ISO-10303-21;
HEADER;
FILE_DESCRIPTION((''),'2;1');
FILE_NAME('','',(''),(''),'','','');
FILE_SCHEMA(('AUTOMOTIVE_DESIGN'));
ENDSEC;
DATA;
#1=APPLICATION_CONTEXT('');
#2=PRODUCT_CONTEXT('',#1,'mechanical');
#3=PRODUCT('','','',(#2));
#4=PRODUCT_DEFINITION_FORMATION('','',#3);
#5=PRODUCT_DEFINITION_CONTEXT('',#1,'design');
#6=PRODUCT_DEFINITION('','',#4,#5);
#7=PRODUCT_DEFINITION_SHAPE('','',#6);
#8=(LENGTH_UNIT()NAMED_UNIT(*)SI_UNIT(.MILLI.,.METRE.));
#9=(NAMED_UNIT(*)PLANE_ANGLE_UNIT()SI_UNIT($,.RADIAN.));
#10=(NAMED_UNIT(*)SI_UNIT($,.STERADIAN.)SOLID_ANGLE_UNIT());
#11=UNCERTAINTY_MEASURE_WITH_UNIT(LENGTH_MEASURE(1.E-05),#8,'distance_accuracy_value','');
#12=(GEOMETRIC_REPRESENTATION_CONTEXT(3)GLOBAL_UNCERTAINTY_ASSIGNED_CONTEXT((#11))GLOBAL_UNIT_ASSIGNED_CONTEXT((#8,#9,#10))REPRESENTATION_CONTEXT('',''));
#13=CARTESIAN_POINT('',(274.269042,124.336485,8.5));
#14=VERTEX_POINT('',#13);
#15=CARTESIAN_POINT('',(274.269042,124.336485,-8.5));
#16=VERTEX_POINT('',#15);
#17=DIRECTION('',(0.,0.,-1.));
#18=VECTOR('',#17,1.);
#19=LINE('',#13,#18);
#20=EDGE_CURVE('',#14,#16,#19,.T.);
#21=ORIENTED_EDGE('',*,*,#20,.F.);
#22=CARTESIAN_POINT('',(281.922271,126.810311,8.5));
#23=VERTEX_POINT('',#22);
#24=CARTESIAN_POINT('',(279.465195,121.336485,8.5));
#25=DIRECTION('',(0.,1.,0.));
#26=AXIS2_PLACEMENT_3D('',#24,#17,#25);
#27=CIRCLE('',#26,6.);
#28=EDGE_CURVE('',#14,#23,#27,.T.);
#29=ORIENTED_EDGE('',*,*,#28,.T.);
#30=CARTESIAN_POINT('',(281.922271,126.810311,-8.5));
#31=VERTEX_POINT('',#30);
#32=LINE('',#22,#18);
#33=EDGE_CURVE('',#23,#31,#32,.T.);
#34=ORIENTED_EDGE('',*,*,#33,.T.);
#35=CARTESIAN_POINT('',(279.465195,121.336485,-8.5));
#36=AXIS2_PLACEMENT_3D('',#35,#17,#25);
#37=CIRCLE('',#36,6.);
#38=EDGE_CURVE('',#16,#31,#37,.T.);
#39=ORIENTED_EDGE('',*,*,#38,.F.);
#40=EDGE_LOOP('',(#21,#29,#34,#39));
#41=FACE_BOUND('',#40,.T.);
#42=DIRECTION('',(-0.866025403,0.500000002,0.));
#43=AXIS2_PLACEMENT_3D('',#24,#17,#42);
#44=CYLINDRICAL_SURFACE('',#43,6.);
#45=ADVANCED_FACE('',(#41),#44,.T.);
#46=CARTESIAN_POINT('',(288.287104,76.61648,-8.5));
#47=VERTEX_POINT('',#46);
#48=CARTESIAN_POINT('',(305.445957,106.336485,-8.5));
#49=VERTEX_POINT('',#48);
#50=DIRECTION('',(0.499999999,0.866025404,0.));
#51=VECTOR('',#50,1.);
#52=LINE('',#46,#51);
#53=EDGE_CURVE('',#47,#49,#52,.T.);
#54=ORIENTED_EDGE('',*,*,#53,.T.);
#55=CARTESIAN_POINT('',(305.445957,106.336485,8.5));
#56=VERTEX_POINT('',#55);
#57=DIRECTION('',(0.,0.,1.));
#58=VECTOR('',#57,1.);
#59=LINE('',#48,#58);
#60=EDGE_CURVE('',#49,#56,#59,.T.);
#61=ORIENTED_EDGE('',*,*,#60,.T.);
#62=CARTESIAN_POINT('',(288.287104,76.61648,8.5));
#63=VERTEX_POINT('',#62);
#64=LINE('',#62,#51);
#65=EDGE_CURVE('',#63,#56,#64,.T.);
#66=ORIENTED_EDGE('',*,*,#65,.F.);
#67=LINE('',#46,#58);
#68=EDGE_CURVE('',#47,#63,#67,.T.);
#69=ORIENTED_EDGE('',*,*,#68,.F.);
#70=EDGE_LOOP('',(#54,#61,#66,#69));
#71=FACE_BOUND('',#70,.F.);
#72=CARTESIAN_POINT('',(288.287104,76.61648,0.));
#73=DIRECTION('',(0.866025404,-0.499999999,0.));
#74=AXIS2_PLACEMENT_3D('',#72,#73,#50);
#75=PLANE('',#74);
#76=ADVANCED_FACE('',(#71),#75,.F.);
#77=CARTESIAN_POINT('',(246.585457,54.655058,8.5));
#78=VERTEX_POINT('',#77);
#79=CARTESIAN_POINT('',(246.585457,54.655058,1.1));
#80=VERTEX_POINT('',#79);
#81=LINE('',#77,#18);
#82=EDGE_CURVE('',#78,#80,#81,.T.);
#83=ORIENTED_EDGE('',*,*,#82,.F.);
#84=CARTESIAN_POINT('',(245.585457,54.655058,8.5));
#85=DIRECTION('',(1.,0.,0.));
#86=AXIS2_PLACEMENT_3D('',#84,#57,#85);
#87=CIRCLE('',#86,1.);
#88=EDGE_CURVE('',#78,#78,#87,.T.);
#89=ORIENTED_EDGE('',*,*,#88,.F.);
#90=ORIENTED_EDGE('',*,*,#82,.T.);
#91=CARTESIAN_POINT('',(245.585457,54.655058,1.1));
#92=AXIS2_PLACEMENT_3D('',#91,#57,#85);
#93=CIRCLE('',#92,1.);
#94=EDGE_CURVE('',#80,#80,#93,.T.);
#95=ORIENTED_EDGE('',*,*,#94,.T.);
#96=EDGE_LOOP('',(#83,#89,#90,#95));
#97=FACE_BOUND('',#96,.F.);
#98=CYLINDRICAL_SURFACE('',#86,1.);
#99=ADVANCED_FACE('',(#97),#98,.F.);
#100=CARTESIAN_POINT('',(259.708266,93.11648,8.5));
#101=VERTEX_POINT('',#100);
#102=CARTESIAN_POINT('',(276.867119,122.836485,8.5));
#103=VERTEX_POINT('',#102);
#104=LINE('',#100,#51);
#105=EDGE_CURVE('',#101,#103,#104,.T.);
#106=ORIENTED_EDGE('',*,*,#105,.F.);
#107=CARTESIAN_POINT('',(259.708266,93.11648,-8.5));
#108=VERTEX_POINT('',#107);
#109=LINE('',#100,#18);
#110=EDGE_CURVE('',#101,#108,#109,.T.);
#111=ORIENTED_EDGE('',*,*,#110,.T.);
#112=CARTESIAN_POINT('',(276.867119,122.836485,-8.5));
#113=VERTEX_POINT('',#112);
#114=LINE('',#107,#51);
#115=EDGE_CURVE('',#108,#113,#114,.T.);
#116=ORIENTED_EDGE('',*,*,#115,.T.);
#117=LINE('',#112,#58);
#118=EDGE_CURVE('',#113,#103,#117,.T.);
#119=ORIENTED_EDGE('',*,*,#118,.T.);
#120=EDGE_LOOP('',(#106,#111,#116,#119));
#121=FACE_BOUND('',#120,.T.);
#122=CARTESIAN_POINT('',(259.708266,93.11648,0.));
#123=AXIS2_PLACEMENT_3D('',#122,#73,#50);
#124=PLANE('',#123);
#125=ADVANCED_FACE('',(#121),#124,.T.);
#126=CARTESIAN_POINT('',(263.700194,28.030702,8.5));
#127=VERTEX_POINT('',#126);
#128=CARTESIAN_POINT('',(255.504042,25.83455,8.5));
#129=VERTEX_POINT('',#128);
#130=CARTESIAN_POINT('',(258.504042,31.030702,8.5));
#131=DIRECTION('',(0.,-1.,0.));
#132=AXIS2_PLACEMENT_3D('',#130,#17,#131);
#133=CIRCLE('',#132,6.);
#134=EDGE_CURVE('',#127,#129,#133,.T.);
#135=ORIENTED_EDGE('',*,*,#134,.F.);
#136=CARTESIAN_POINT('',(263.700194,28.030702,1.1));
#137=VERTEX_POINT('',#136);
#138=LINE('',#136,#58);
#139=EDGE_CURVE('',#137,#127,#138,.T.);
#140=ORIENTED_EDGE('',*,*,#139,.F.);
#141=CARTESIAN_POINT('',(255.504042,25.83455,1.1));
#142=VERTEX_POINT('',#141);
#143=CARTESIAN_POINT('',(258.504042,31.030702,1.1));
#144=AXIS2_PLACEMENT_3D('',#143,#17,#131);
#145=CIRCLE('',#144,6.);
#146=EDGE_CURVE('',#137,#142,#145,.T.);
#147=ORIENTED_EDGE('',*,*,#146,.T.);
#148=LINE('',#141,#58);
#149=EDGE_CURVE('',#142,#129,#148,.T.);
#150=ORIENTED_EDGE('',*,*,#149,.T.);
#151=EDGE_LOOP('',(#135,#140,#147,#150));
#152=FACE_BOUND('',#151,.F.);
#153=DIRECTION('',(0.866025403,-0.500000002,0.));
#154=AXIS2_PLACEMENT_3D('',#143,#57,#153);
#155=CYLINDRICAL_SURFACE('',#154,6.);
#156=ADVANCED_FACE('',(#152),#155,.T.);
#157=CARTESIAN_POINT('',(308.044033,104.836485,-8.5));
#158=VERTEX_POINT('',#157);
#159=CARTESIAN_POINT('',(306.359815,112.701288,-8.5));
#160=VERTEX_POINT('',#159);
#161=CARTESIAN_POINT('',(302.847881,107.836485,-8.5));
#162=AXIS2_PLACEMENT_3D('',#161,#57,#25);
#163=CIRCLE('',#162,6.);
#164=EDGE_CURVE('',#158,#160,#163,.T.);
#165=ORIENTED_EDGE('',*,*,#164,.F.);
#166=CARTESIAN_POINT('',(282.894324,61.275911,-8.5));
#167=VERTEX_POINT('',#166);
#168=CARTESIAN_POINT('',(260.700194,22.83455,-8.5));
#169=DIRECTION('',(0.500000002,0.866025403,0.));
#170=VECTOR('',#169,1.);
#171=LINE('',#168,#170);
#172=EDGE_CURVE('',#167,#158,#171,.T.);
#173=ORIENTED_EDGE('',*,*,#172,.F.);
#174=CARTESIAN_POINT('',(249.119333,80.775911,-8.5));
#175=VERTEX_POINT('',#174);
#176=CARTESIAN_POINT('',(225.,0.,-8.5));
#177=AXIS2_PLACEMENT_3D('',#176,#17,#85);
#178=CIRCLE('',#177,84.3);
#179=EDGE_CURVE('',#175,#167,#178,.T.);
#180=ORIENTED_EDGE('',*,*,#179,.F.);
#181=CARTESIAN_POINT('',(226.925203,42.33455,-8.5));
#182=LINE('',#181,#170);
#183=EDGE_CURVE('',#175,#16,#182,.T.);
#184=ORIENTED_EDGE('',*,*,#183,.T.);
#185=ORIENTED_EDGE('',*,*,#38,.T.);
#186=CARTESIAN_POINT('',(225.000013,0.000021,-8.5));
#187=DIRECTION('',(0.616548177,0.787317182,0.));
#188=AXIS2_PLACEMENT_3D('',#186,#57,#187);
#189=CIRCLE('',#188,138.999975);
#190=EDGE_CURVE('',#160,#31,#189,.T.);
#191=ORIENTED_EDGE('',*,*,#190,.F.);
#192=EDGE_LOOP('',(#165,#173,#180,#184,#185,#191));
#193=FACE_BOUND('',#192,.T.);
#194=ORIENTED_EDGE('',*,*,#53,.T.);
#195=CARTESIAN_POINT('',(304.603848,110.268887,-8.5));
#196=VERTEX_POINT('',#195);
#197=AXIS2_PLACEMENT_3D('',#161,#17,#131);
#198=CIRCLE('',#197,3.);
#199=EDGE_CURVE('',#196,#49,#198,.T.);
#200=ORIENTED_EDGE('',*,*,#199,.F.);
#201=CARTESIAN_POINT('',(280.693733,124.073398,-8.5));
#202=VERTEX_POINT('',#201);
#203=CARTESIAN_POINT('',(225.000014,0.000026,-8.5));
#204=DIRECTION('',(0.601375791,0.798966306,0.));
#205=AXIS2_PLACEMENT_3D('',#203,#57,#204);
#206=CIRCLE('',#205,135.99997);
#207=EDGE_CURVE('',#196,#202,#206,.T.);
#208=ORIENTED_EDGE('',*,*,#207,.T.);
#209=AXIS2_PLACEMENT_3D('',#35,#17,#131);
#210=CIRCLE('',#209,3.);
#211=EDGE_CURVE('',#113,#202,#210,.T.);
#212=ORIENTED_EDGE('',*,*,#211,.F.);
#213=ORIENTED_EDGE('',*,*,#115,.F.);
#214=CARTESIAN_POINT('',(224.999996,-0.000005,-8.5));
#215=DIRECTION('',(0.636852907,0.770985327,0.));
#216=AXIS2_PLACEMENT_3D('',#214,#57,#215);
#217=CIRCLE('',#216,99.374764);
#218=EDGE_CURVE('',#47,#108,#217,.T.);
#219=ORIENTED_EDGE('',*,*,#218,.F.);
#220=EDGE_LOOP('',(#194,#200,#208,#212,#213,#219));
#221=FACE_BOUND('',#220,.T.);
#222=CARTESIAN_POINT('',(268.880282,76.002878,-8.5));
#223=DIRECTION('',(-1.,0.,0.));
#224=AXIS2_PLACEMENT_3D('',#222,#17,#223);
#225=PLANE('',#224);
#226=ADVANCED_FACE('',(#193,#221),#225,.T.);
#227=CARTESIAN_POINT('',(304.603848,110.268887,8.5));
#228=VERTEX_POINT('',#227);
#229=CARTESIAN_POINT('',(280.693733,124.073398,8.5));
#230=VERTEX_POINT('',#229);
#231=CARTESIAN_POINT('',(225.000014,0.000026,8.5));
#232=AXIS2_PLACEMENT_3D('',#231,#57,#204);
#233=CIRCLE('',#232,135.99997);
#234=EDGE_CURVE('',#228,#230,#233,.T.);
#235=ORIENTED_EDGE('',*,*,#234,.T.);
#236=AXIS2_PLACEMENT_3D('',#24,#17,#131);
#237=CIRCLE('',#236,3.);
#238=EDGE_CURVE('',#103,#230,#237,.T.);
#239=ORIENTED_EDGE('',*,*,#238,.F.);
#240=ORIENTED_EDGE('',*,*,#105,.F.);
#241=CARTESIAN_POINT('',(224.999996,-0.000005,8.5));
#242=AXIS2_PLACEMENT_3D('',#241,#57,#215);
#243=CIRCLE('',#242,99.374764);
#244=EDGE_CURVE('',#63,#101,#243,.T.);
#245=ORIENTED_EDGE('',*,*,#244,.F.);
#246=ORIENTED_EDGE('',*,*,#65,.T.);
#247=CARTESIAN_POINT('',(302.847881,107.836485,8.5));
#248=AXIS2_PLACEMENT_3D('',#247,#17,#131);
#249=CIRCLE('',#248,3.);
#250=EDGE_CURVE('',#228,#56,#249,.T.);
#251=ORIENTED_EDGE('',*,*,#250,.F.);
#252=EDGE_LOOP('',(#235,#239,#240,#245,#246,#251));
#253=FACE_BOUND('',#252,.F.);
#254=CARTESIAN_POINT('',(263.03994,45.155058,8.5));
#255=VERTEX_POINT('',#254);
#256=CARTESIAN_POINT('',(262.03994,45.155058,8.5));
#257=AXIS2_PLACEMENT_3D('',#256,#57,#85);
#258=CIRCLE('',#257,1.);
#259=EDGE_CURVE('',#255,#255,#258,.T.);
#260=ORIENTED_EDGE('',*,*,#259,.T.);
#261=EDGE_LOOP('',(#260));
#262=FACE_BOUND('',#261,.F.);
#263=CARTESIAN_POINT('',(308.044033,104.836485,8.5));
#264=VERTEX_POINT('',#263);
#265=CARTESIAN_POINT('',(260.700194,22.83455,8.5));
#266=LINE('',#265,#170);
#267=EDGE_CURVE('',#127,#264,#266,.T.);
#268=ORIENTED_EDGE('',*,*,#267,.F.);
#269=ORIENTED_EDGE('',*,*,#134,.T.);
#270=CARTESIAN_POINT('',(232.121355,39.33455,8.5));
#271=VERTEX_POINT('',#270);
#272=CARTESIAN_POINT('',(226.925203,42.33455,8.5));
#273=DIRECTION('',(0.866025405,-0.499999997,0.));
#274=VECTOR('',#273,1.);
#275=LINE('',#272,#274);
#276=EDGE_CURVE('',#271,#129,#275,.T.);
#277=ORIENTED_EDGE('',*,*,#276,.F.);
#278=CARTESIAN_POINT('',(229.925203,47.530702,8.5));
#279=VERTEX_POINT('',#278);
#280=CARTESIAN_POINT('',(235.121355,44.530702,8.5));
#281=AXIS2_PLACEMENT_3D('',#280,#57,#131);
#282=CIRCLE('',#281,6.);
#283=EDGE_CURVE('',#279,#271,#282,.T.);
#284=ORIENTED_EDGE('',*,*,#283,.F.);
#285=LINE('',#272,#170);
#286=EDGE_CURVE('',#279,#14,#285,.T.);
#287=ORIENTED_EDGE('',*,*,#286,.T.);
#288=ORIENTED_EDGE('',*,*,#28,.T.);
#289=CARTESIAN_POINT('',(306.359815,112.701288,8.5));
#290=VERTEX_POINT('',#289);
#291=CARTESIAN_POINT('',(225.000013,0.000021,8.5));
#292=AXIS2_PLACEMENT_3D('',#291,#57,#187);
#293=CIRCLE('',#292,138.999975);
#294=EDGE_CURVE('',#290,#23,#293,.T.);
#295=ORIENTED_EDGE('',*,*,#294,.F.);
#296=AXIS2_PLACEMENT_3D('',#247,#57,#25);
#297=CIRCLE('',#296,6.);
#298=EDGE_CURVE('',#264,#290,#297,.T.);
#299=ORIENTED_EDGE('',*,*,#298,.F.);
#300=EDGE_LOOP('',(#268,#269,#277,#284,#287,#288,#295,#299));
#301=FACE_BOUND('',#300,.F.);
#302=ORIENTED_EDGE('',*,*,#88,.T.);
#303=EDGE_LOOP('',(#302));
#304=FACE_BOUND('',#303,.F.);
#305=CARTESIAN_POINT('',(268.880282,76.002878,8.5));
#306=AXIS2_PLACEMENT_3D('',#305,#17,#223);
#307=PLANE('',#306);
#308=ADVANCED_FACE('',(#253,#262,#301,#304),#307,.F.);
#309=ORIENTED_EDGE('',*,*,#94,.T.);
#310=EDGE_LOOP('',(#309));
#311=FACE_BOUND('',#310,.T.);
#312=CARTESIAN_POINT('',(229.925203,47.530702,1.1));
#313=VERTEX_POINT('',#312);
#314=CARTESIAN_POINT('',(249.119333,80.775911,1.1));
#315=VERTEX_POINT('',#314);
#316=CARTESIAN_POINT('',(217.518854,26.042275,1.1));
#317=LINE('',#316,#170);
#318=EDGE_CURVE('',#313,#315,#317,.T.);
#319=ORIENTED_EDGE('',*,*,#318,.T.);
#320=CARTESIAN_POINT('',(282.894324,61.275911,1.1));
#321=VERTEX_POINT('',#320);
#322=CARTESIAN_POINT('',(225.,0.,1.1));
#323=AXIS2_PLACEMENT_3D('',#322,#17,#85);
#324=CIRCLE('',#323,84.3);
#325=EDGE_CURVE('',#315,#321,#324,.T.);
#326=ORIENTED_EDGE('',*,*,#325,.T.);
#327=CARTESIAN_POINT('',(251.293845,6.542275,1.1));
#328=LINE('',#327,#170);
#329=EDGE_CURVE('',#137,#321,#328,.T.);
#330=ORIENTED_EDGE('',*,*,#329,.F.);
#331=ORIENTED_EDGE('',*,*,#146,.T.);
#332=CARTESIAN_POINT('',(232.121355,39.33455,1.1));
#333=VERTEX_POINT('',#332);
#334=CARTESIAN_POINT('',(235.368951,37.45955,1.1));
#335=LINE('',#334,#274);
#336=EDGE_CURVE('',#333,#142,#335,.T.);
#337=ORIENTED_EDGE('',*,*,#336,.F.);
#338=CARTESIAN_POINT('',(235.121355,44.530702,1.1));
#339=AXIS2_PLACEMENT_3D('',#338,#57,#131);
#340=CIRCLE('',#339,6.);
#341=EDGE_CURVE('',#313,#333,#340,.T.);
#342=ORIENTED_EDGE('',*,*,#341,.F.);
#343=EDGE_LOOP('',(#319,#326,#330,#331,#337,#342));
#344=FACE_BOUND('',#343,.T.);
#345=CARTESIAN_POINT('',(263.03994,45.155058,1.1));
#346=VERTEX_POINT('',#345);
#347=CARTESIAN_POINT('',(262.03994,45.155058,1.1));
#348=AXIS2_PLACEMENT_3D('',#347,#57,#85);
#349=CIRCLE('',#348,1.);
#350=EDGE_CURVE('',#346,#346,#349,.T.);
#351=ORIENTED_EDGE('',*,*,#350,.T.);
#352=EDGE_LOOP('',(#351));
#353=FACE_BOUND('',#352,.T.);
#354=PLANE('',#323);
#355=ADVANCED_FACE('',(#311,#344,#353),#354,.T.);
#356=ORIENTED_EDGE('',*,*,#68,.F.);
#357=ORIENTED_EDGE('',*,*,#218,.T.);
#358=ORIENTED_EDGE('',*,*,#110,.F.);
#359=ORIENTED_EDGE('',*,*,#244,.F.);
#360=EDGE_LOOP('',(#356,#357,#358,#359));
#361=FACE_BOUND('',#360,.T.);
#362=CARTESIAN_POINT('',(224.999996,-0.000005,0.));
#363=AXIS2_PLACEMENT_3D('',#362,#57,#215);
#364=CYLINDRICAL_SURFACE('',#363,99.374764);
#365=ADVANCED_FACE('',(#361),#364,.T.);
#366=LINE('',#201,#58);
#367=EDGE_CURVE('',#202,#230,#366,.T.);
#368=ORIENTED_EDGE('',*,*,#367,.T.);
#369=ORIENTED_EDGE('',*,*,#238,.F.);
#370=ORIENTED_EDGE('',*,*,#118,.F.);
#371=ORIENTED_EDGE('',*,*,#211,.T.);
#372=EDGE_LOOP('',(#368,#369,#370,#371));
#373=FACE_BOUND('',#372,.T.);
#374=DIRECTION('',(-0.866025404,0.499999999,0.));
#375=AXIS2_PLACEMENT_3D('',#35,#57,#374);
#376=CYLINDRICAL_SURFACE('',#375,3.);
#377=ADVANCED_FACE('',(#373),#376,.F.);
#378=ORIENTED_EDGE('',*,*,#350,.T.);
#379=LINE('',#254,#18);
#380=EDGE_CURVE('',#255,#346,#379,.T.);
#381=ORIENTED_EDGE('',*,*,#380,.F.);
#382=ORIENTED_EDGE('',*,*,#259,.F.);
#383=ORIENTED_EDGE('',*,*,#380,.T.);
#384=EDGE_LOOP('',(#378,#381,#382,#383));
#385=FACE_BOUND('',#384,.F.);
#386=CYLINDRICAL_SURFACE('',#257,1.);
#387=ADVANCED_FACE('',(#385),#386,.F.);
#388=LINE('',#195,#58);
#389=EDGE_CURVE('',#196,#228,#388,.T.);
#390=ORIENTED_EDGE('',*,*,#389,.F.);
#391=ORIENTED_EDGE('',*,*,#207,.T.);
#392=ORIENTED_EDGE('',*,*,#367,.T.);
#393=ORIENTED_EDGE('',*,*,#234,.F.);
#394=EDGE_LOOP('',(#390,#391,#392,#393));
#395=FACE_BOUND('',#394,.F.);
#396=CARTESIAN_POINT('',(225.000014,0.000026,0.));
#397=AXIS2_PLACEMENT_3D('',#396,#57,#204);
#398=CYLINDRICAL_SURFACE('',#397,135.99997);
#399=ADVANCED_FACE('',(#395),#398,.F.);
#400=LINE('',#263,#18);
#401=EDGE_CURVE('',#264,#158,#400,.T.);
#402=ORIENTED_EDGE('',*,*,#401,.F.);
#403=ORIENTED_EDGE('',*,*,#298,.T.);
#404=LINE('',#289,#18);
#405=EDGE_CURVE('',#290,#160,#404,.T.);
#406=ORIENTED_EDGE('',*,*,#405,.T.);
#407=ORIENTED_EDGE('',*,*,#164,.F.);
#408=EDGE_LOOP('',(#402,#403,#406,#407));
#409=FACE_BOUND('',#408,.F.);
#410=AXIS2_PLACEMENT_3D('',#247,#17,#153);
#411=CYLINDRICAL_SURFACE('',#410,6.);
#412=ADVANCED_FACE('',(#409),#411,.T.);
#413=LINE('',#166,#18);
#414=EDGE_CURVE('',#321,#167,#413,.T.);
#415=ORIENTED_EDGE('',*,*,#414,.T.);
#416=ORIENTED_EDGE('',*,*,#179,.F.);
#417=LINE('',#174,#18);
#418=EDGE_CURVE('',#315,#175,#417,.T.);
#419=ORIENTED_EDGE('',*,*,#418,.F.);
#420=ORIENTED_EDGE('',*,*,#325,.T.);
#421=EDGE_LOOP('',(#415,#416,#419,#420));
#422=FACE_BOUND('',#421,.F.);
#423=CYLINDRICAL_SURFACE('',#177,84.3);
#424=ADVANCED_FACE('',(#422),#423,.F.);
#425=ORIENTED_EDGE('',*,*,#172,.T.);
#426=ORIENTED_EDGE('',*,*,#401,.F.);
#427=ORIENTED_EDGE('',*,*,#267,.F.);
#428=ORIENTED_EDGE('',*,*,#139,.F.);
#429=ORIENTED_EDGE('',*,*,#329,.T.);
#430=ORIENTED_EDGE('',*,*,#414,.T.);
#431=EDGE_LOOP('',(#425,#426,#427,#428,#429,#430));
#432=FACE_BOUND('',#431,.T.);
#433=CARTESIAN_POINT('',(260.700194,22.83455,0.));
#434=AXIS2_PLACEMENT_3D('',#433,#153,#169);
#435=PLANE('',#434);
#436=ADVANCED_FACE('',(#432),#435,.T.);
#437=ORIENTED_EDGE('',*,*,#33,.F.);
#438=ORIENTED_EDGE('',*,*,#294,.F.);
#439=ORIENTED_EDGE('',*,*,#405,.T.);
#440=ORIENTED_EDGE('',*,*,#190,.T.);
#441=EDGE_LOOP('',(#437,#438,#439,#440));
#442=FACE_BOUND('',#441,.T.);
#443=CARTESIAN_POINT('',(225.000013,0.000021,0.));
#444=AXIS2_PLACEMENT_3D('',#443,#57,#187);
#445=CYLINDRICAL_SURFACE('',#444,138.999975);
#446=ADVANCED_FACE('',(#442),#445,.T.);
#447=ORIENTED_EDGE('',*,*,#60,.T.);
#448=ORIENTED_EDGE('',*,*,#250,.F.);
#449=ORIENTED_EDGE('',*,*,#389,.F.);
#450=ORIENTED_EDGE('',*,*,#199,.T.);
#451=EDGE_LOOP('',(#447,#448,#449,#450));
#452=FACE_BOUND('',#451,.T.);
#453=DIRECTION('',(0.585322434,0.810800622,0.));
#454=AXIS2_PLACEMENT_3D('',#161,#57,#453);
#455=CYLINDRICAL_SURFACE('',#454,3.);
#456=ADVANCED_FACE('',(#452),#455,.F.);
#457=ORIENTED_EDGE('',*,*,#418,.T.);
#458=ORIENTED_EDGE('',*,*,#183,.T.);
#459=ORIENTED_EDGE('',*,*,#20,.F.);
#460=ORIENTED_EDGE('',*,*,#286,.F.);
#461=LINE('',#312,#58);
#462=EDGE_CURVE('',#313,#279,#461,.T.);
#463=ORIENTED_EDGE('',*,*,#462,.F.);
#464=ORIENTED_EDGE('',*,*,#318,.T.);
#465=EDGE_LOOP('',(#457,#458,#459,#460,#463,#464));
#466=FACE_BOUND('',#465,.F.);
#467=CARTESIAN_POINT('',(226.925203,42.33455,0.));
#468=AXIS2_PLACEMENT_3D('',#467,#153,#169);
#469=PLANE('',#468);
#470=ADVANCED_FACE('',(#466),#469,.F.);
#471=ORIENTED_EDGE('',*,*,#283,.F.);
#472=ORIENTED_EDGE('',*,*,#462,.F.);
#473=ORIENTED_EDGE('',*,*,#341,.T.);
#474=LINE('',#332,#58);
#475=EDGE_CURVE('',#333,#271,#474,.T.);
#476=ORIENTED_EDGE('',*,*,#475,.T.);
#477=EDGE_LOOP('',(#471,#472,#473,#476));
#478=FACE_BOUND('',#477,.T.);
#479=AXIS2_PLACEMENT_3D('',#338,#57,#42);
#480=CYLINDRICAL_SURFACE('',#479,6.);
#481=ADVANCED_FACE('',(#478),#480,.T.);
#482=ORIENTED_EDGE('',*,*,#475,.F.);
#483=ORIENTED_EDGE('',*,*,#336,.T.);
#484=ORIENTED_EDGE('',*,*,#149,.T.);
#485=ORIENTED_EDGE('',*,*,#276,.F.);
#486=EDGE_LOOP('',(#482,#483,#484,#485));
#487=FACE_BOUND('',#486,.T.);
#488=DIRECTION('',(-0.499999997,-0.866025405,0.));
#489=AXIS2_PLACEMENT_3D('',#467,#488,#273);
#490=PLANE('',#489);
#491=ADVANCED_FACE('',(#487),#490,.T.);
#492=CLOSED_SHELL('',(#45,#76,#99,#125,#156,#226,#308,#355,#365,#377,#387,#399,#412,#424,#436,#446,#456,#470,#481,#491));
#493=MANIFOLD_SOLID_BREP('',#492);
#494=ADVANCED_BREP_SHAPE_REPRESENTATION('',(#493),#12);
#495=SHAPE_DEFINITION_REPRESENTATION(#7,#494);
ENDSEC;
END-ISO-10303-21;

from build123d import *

# Parameters (mm, degrees)
PAD018_DEPTH    = 8.5
FILLET008_R     = 6
FILLET009_R     = 3
SKETCH032_R     = 84.3
POCKET021_DEPTH = 9.6
SKETCH033_R     = 1
POCKET022_DEPTH = 17.001
FILLET010_R     = 6


with BuildPart() as part:
    # Sketch031 → Pad018 (new body, symmetric)
    with BuildSketch(Plane.XY):
        with BuildLine():
            Line((226.925203, 42.33455), (276.925203, 128.93709))
            ThreePointArc((310.700194, 109.43709), (294.5, 120.377531), (276.925203, 128.93709))
            Line((260.700194, 22.83455), (310.700194, 109.43709))
            Line((226.925203, 42.33455), (260.700194, 22.83455))
        make_face()
        with BuildLine():
            Line((259.708266, 93.11648), (278.208266, 125.15942))
            ThreePointArc((306.787104, 108.65942), (293, 117.779455), (278.208266, 125.15942))
            Line((288.287104, 76.61648), (306.787104, 108.65942))
            ThreePointArc((288.287104, 76.61648), (274.687379, 86.061065), (259.708266, 93.11648))
        make_face(mode=Mode.SUBTRACT)
    extrude(amount=PAD018_DEPTH, both=True)

    # Fillet008
    fillet008_edges = [part.edges().sort_by_distance(p)[0] for p in [
        (310.700194, 109.43709, 0),
        (276.925203, 128.93709, 0),
    ]]
    fillet(fillet008_edges, radius=FILLET008_R)

    # Fillet009
    fillet009_edges = [part.edges().sort_by_distance(p)[0] for p in [
        (278.208266, 125.15942, 0),
        (306.787104, 108.65942, 0),
    ]]
    fillet(fillet009_edges, radius=FILLET009_R)

    # Sketch032 (on Face1 of Fillet009) → Pocket021 (cut)
    with BuildSketch(Plane(origin=(0, 0, -8.5), x_dir=(1, 0, 0), z_dir=(0, 0, -1))):
        with Locations((225, 0)):
            Circle(SKETCH032_R)
    extrude(amount=-POCKET021_DEPTH, mode=Mode.SUBTRACT)

    # Sketch033 (on Face15 of Pocket021) → Pocket022 (cut, through all)
    with BuildSketch(Plane.XY.offset(8.5)):
        with Locations((245.585457, 54.655058)):
            Circle(SKETCH033_R)
        with Locations((262.03994, 45.155058)):
            Circle(SKETCH033_R)
    extrude(amount=-POCKET022_DEPTH, mode=Mode.SUBTRACT)

    # Fillet010
    fillet010_edges = [part.edges().sort_by_distance(p)[0] for p in [
        (226.925203, 42.33455, 4.8),
        (260.700194, 22.83455, 4.8),
    ]]
    fillet(fillet010_edges, radius=FILLET010_R)


solid = part.part
